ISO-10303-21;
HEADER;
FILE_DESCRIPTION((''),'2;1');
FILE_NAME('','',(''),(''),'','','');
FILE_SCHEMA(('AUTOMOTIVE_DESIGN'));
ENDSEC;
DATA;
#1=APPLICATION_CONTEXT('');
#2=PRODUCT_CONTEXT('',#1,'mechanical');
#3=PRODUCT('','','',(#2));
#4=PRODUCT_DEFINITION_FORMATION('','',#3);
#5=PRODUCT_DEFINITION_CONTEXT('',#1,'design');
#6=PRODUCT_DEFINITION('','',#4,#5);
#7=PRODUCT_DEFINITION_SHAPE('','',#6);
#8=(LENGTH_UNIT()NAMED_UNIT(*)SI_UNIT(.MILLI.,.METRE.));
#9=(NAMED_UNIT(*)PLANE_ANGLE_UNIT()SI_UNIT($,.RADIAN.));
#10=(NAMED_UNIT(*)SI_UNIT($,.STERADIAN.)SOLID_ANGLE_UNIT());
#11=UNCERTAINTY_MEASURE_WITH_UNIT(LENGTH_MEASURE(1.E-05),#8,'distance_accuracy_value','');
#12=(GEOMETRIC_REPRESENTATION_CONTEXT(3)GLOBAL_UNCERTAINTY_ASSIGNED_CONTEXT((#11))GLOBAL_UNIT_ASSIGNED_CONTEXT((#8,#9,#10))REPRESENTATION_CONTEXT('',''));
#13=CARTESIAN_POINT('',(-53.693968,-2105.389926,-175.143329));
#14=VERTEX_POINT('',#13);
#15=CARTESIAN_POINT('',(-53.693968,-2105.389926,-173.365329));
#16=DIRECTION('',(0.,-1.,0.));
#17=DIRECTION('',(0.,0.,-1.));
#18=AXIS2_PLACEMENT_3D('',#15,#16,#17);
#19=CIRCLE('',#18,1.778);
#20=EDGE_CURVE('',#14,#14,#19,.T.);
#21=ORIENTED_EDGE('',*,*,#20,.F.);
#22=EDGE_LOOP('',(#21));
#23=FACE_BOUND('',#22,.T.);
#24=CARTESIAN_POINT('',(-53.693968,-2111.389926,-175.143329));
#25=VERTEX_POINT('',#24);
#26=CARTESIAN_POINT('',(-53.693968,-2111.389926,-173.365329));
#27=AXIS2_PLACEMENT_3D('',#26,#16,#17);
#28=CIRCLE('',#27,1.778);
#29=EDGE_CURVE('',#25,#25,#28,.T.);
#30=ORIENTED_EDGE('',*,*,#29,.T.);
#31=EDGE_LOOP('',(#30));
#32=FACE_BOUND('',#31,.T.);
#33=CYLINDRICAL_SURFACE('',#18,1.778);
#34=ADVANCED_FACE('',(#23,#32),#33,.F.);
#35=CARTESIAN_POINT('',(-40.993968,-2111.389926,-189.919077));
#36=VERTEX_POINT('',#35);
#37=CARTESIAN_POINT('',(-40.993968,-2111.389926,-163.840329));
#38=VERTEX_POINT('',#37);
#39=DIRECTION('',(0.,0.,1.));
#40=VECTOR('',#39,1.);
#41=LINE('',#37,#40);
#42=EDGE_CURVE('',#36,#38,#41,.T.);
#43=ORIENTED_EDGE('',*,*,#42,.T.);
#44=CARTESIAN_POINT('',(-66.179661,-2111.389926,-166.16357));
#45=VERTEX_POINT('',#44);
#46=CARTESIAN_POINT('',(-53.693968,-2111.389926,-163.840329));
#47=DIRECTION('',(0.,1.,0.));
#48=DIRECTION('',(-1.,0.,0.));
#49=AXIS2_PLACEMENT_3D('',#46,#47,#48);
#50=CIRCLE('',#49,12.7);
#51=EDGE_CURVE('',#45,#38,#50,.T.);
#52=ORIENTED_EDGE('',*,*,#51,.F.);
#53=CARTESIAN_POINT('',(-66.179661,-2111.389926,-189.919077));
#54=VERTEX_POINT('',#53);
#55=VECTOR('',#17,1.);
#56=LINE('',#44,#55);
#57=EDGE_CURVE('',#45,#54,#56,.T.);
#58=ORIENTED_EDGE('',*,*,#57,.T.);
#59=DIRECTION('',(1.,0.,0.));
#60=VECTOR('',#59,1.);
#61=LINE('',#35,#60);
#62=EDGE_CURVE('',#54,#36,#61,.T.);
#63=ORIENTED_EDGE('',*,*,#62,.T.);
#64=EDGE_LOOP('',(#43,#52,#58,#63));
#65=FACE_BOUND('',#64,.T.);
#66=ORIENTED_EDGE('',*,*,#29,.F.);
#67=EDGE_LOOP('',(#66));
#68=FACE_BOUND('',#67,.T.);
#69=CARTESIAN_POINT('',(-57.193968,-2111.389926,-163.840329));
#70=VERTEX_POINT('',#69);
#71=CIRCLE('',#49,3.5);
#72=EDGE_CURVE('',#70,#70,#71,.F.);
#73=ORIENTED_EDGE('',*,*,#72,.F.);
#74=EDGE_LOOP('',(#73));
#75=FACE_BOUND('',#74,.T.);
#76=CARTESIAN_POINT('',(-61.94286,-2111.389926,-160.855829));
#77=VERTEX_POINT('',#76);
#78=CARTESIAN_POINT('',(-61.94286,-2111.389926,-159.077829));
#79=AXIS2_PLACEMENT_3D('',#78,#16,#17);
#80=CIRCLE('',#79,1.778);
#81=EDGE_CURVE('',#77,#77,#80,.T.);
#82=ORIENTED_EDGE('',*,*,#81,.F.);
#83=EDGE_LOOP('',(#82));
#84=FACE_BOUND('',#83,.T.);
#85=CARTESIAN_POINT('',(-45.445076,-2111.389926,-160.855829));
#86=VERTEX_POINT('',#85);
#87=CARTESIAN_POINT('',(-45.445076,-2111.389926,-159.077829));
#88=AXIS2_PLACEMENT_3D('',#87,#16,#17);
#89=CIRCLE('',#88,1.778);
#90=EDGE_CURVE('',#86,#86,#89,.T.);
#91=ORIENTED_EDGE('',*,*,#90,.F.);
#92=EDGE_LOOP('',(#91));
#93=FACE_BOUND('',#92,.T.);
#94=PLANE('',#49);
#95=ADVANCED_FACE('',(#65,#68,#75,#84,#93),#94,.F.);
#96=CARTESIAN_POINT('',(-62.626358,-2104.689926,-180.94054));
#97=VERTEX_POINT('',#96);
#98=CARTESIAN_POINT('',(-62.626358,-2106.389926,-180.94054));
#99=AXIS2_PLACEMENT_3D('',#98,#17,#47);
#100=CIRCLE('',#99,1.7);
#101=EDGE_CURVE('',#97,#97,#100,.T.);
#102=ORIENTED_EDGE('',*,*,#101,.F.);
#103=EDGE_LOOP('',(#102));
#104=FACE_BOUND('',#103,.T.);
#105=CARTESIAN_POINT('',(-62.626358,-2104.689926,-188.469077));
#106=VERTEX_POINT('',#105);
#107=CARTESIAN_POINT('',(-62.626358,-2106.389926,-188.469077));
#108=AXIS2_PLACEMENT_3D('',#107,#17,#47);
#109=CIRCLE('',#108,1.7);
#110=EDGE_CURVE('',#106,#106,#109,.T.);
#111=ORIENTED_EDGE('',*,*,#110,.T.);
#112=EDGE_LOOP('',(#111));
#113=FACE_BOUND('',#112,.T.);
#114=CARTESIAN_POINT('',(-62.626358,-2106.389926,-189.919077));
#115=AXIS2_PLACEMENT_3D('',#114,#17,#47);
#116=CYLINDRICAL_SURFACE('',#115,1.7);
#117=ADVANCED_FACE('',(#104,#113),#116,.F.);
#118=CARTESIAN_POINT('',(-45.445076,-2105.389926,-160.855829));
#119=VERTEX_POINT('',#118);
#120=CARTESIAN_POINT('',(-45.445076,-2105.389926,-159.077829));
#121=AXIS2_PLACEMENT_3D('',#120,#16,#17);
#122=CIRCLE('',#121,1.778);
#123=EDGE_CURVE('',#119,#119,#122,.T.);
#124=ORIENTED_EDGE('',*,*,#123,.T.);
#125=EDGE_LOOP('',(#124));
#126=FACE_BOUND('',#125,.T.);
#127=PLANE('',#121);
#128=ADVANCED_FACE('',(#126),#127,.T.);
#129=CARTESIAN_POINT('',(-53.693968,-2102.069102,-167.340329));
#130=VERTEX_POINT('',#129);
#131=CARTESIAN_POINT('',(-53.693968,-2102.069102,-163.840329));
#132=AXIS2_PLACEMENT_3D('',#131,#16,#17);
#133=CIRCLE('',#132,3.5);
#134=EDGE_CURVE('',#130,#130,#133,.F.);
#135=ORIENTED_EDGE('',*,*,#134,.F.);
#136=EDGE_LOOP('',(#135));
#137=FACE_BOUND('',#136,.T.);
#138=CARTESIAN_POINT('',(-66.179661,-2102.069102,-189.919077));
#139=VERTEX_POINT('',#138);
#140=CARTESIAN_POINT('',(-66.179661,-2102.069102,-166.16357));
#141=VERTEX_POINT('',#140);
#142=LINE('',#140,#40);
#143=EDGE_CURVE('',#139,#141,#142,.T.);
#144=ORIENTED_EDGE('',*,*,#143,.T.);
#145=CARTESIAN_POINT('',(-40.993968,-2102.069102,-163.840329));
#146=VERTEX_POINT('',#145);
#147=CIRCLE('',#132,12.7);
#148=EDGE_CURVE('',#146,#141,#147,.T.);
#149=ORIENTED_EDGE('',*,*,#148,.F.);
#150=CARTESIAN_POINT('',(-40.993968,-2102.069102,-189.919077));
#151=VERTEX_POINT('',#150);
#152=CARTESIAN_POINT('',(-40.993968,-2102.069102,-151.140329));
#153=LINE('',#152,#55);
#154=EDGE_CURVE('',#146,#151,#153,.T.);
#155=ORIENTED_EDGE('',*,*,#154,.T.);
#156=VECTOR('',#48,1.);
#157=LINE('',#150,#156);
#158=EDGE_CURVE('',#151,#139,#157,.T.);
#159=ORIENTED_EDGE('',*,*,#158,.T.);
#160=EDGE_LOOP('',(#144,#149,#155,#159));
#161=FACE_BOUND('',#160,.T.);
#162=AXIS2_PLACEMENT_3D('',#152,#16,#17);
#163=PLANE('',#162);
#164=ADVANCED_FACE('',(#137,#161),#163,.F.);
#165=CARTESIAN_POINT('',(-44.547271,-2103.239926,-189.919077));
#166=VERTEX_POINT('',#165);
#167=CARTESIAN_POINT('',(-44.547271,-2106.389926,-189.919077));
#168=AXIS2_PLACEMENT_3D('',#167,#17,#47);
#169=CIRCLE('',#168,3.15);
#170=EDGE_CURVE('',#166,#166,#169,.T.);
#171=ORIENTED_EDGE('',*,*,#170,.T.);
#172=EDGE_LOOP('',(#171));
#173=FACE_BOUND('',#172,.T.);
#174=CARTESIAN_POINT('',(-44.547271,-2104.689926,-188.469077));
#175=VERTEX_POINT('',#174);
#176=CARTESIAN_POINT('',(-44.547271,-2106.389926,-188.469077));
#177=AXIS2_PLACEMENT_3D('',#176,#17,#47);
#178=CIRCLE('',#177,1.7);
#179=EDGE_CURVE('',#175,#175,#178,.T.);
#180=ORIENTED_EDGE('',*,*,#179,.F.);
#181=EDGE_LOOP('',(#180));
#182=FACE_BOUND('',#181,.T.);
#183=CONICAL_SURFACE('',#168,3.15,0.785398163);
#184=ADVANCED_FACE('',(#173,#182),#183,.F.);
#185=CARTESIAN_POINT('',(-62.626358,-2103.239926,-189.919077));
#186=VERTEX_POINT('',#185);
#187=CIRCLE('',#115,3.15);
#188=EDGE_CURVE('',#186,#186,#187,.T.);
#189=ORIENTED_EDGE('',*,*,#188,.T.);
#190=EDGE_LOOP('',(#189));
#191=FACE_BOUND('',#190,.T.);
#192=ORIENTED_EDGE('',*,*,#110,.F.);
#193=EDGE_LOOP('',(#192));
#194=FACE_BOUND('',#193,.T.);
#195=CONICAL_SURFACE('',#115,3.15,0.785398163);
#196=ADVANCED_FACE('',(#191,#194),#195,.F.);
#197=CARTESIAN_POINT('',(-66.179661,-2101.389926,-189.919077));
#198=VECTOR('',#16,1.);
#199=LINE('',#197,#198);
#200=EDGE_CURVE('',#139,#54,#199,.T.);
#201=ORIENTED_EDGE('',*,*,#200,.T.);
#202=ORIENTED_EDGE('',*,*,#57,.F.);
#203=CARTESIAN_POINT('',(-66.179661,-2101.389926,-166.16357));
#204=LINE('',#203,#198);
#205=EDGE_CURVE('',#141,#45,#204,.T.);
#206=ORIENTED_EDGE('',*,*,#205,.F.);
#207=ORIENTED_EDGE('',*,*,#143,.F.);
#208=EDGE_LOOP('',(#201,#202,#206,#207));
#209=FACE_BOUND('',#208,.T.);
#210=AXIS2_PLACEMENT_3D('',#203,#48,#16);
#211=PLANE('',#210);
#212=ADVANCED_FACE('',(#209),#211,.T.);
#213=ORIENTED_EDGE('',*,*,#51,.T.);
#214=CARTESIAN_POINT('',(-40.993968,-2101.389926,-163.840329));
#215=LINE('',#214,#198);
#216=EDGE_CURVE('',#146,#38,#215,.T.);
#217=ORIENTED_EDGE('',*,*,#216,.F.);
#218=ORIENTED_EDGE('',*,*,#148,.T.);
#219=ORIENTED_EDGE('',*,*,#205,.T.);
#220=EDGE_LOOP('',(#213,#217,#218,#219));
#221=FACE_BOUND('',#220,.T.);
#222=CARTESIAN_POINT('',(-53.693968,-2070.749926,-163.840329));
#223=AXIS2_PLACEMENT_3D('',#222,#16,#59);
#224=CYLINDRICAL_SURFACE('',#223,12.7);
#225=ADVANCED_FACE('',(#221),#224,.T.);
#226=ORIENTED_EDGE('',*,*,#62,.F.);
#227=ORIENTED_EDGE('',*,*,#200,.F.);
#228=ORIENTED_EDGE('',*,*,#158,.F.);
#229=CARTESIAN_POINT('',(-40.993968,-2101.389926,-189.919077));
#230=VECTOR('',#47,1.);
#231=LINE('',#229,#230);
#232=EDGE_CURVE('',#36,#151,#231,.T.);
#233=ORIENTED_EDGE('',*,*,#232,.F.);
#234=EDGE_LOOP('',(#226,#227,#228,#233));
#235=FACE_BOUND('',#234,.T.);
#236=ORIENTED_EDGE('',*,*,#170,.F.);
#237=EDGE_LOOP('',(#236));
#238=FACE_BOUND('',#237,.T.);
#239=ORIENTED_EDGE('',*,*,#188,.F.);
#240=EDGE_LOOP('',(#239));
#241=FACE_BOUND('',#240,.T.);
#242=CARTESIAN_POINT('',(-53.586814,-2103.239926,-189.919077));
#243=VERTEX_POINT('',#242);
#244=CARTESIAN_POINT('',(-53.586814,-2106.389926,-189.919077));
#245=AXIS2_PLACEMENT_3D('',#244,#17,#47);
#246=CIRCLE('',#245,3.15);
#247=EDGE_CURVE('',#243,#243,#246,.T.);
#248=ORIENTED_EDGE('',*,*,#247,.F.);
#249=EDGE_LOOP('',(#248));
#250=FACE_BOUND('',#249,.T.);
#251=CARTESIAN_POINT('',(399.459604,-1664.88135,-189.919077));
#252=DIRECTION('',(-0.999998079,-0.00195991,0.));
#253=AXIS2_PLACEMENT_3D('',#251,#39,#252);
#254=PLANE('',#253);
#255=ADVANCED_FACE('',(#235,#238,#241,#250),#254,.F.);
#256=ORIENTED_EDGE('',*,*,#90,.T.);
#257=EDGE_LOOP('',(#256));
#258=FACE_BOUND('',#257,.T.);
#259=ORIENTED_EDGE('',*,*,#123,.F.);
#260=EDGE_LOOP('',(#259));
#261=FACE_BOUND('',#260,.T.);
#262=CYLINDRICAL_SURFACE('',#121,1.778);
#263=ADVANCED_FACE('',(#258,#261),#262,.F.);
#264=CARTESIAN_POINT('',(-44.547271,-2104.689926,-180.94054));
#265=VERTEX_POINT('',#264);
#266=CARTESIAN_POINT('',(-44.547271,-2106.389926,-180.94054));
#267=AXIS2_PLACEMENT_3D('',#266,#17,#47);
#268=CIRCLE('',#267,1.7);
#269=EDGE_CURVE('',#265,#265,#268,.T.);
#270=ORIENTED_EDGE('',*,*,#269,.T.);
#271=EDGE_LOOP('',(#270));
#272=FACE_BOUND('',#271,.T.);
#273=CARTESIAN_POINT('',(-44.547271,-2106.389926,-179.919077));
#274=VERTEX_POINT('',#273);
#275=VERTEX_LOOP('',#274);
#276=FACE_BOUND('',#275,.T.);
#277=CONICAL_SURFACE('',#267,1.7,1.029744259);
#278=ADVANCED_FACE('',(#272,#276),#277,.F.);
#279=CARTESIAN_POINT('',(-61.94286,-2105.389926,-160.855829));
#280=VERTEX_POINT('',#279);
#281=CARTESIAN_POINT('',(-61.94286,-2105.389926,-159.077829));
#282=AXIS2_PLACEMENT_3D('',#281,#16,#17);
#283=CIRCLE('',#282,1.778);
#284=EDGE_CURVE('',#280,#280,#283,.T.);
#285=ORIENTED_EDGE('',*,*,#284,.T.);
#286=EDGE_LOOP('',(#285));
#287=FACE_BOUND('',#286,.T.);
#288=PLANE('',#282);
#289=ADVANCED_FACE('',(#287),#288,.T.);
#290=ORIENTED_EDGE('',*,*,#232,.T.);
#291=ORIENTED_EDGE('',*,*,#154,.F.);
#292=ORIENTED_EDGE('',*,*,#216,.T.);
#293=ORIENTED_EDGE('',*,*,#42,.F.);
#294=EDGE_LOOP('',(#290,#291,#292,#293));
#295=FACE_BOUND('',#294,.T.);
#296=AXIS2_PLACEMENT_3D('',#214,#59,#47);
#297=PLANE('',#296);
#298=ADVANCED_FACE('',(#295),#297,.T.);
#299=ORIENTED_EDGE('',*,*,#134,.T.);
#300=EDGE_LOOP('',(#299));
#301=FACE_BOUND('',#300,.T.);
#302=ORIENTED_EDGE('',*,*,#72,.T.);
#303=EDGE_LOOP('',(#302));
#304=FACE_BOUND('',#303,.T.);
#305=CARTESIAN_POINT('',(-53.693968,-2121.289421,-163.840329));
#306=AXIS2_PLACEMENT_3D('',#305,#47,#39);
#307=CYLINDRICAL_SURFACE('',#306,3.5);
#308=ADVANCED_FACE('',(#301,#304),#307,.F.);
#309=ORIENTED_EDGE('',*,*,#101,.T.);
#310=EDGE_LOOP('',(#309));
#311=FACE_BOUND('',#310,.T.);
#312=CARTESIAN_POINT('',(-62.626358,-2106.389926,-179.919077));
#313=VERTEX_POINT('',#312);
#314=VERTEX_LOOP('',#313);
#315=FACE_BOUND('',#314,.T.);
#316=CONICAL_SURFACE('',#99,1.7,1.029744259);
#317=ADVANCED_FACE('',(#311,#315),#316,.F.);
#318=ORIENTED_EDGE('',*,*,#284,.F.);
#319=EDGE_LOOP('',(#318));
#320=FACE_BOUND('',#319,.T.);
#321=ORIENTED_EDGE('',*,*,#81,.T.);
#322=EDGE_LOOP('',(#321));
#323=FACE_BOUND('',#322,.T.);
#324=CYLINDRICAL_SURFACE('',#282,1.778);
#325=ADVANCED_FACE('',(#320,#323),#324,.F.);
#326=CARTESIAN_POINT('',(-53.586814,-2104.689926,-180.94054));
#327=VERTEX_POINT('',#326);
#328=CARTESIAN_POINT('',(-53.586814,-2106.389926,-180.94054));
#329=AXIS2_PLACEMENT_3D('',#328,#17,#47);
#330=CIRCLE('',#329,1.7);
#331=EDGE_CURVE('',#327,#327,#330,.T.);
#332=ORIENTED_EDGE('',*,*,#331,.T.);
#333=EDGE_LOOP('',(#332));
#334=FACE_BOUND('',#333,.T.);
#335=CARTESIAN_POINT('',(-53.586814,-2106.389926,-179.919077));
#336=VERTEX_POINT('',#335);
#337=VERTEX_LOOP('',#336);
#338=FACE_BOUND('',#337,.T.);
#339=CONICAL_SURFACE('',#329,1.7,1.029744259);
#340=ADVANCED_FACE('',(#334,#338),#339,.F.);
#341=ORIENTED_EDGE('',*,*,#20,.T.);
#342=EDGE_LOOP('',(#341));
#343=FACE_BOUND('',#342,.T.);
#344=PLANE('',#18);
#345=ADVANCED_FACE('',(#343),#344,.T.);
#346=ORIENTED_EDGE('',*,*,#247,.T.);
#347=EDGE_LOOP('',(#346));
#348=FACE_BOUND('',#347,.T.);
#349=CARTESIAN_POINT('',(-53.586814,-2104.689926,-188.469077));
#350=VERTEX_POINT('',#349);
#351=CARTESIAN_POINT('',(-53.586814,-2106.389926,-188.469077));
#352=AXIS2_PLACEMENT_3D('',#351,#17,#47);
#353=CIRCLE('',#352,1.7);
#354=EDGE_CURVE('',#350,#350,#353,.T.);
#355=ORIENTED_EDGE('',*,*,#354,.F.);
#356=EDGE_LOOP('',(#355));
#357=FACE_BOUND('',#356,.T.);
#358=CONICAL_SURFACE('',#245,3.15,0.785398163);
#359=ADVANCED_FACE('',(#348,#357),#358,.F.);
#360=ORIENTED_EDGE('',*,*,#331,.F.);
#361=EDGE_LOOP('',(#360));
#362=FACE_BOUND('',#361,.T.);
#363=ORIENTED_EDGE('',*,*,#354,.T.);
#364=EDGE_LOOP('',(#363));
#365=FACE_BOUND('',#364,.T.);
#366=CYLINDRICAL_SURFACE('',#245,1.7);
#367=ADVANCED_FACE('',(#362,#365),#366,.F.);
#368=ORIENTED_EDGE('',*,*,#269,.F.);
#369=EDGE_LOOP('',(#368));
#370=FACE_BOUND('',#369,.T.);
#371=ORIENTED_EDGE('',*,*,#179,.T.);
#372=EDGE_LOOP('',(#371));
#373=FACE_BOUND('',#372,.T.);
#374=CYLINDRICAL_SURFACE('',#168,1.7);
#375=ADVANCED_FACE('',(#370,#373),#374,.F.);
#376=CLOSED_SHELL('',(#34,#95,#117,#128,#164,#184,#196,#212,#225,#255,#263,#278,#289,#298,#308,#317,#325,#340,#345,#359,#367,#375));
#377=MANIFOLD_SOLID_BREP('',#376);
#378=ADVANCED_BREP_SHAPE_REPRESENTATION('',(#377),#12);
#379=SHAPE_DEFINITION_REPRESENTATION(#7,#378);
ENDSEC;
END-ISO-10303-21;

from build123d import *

# Parameters (mm, degrees)
SKETCH2_R                                      = 12.7
BOSS_EXTRUDE6_DEPTH                            = 40.64
SKETCH3_R                                      = 3.5
CUT_EXTRUDE1_DEPTH                             = 40.64
SKETCH4_R                                      = 1.778
CUT_EXTRUDE2_DEPTH                             = 6
BOSS_EXTRUDE8_DEPTH                            = 10
SKETCH8_W                                      = 25.185693912
SKETCH8_H                                      = 10
BOSS_EXTRUDE9_DEPTH                            = 7.284789
BOSS_EXTRUDE10_DEPTH                           = 30.64
CSK_FOR_M3_FLAT_HEAD_MACHINE_SCREW1_AT_2_COUNT = 2
CSK_FOR_M3_FLAT_HEAD_MACHINE_SCREW1_AT_2_PITCH = 9.039543014
CSK_FOR_M3_FLAT_HEAD_MACHINE_SCREW1_AT_3_COUNT = 2
CSK_FOR_M3_FLAT_HEAD_MACHINE_SCREW1_AT_3_PITCH = 9.039543014
SKETCH25_W                                     = 26.719153215
SKETCH25_H                                     = 31.319175306
CUT_EXTRUDE9_DEPTH                             = 39.778747573


with BuildPart() as part:
    # Sketch2 → Boss-Extrude6 (new body)
    with BuildSketch(Plane(origin=(0, -2111.389926236, 0), x_dir=(1, 0, 0), z_dir=(0, 1, 0))):
        with Locations((-53.693967541, 163.840329354)):
            Circle(SKETCH2_R)
    extrude(amount=BOSS_EXTRUDE6_DEPTH)

    # Sketch3 → Cut-Extrude1 (cut)
    with BuildSketch(Plane(origin=(0, -2070.749926236, 0), x_dir=(1, 0, 0), z_dir=(0, 1, 0))):
        with Locations((-53.693967541, 163.840329354)):
            Circle(SKETCH3_R)
    extrude(amount=-CUT_EXTRUDE1_DEPTH, mode=Mode.SUBTRACT)

    # Sketch4 → Cut-Extrude2 (cut)
    with BuildSketch(Plane.XZ.offset(2111.389926236)):
        with Locations((-61.942859512, -159.077829354)):
            Circle(SKETCH4_R)
        with Locations((-53.693967541, -173.365329354)):
            Circle(SKETCH4_R)
        with Locations((-45.44507557, -159.077829354)):
            Circle(SKETCH4_R)
    extrude(amount=-CUT_EXTRUDE2_DEPTH, mode=Mode.SUBTRACT)

    # Sketch7 → Boss-Extrude8 (add)
    with BuildSketch(Plane.XZ.offset(2111.389926236)):
        with BuildLine():
            Line((-40.993967541, -163.840329354), (-40.993967541, -182.634287878))
            Line((-40.993967541, -182.634287878), (-66.179661453, -182.634287878))
            Line((-66.179661453, -182.634287878), (-66.179661453, -166.163570095))
            ThreePointArc((-66.179661453, -166.163570095), (-52.527415502, -176.486639343), (-40.993967541, -163.840329354))
        make_face()
    extrude(amount=-BOSS_EXTRUDE8_DEPTH)

    # Sketch8 → Boss-Extrude9 (add)
    with BuildSketch(Plane(origin=(0, 0, -182.634287878), x_dir=(-1, 0, 0), z_dir=(0, 0, -1))):
        with Locations((53.586814497, -2106.389926236)):
            Rectangle(SKETCH8_W, SKETCH8_H)
    extrude(amount=BOSS_EXTRUDE9_DEPTH)

    # Sketch9 → Boss-Extrude10 (add)
    with BuildSketch(Plane(origin=(0, -2070.749926236, 0), x_dir=(1, 0, 0), z_dir=(0, 1, 0))):
        with BuildLine():
            Line((-66.179661453, 163.840329354), (-66.179661453, 189.919076927))
            Line((-66.179661453, 189.919076927), (-40.993967541, 189.919076927))
            Line((-40.993967541, 189.919076927), (-40.993967541, 163.840329354))
            ThreePointArc((-40.993967541, 163.840329354), (-53.586814497, 176.43317631), (-66.179661453, 163.840329354))
        make_face()
    extrude(amount=-BOSS_EXTRUDE10_DEPTH)

    # Sketch15 → CSK for M3 Flat Head Machine Screw1 (revolve, cut)
    with BuildSketch(Plane(origin=(-53.586814498, -2075.749926236, -189.919076927), x_dir=(0, 1, 0), z_dir=(1, 0, 0))):
        Polygon((0, 0), (0, 10), (1.7, 8.978536948), (1.7, 1.45), (3.15, 0), align=None)
    csk_for_m3_flat_head_machine_screw1 = revolve(axis=Axis((-53.586814498, -2075.749926236, -196.269076927), (0, 0, 1)), mode=Mode.SUBTRACT)

    # CSK for M3 Flat Head Machine Screw1 at 2: CSK for M3 Flat Head Machine Screw1 ×2
    with Locations(*[(-i * CSK_FOR_M3_FLAT_HEAD_MACHINE_SCREW1_AT_2_PITCH, 0, 0) for i in range(1, CSK_FOR_M3_FLAT_HEAD_MACHINE_SCREW1_AT_2_COUNT)]):
        add(csk_for_m3_flat_head_machine_screw1, mode=Mode.SUBTRACT)

    # CSK for M3 Flat Head Machine Screw1 at 3: CSK for M3 Flat Head Machine Screw1 ×2
    with Locations(*[(i * CSK_FOR_M3_FLAT_HEAD_MACHINE_SCREW1_AT_3_PITCH, 0, 0) for i in range(1, CSK_FOR_M3_FLAT_HEAD_MACHINE_SCREW1_AT_3_COUNT)]):
        add(csk_for_m3_flat_head_machine_screw1, mode=Mode.SUBTRACT)

    # Mirror1: CSK for M3 Flat Head Machine Screw1 across plane
    add(csk_for_m3_flat_head_machine_screw1.mirror(Plane.ZX.offset(-2091.069926234)), mode=Mode.SUBTRACT)

    # Mirror1 copy 1 sketch → Mirror1 copy 1 (revolve, cut)
    with BuildSketch(Plane(origin=(-62.626357512, -2106.389926232, -189.919076927), x_dir=(0, -1, 0), z_dir=(1, 0, 0))):
        Polygon((0, 0), (0, -10), (1.7, -8.978536948), (1.7, -1.45), (3.15, 0), align=None)
    revolve(axis=Axis((-62.626357512, -2106.389926232, -196.269076927), (0, 0, -1)), mode=Mode.SUBTRACT)

    # Mirror1 copy 2 sketch → Mirror1 copy 2 (revolve, cut)
    with BuildSketch(Plane(origin=(-44.547271484, -2106.389926232, -189.919076927), x_dir=(0, -1, 0), z_dir=(1, 0, 0))):
        Polygon((0, 0), (0, -10), (1.7, -8.978536948), (1.7, -1.45), (3.15, 0), align=None)
    revolve(axis=Axis((-44.547271484, -2106.389926232, -196.269076927), (0, 0, -1)), mode=Mode.SUBTRACT)

    # Sketch25 → Cut-Extrude9 (cut, through all)
    with BuildSketch(Plane(origin=(0, 0, -189.919076927), x_dir=(-1, 0, 0), z_dir=(0, 0, -1))):
        with Locations((54.353544149, -2086.409513889)):
            Rectangle(SKETCH25_W, SKETCH25_H)
    extrude(amount=-CUT_EXTRUDE9_DEPTH, mode=Mode.SUBTRACT)


solid = part.part
